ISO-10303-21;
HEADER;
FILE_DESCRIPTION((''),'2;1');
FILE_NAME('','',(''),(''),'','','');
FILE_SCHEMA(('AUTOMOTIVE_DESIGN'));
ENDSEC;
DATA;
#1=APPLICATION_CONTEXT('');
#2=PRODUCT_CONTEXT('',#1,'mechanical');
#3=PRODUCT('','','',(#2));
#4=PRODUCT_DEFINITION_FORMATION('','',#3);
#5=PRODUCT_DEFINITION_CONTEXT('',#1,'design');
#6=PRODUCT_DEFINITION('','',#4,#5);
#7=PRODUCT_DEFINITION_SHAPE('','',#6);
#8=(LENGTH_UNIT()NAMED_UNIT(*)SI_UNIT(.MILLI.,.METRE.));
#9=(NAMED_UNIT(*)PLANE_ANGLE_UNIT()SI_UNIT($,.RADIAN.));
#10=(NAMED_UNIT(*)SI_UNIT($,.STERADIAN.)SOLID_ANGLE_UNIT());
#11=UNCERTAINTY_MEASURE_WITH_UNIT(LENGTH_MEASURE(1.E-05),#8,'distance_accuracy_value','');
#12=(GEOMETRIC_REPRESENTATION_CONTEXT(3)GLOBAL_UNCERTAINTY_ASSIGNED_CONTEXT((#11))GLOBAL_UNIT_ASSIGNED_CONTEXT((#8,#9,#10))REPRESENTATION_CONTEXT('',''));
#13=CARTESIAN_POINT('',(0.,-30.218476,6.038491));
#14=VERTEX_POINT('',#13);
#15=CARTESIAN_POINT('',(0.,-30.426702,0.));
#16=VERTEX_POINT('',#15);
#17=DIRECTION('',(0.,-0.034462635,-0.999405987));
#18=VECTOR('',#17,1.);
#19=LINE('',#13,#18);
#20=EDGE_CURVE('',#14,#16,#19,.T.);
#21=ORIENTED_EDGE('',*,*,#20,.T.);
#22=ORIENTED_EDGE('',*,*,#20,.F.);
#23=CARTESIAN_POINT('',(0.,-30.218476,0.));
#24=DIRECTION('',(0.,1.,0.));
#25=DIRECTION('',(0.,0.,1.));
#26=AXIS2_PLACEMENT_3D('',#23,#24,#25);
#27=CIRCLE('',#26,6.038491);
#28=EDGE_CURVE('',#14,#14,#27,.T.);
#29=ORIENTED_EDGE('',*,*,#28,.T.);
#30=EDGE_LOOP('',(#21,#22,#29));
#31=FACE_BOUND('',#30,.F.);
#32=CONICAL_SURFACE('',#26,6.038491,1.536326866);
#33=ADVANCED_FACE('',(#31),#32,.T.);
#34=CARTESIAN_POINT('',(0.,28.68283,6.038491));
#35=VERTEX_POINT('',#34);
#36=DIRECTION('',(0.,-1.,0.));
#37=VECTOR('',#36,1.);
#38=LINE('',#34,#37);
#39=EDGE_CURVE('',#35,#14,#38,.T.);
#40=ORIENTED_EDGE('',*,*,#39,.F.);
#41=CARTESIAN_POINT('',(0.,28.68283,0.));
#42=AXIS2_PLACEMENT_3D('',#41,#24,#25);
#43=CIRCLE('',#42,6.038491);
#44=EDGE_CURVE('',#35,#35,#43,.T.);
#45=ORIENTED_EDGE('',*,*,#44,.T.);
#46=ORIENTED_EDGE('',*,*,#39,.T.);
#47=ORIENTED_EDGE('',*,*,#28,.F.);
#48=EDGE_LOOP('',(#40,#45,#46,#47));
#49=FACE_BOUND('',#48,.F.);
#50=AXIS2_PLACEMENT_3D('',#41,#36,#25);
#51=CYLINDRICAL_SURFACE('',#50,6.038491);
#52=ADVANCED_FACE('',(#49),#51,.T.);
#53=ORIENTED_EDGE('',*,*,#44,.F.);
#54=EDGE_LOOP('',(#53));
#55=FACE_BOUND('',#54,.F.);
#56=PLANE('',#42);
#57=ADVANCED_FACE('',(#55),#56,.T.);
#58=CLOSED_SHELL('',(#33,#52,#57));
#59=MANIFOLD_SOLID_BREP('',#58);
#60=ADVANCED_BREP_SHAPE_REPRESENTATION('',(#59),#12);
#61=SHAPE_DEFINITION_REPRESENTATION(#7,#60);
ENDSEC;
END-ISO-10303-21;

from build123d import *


with BuildPart() as f1:
    # F0 (on Right) → F1 (revolve)
    with BuildSketch(Plane.YZ):
        Polygon((-30.218476, 6.038491), (-30.426702, 0), (28.68283, 0), (28.68283, 6.038491), align=None)
    revolve(axis=Axis((0, -0.871936, 0), (0, 1, 0)))


solid = f1.part
